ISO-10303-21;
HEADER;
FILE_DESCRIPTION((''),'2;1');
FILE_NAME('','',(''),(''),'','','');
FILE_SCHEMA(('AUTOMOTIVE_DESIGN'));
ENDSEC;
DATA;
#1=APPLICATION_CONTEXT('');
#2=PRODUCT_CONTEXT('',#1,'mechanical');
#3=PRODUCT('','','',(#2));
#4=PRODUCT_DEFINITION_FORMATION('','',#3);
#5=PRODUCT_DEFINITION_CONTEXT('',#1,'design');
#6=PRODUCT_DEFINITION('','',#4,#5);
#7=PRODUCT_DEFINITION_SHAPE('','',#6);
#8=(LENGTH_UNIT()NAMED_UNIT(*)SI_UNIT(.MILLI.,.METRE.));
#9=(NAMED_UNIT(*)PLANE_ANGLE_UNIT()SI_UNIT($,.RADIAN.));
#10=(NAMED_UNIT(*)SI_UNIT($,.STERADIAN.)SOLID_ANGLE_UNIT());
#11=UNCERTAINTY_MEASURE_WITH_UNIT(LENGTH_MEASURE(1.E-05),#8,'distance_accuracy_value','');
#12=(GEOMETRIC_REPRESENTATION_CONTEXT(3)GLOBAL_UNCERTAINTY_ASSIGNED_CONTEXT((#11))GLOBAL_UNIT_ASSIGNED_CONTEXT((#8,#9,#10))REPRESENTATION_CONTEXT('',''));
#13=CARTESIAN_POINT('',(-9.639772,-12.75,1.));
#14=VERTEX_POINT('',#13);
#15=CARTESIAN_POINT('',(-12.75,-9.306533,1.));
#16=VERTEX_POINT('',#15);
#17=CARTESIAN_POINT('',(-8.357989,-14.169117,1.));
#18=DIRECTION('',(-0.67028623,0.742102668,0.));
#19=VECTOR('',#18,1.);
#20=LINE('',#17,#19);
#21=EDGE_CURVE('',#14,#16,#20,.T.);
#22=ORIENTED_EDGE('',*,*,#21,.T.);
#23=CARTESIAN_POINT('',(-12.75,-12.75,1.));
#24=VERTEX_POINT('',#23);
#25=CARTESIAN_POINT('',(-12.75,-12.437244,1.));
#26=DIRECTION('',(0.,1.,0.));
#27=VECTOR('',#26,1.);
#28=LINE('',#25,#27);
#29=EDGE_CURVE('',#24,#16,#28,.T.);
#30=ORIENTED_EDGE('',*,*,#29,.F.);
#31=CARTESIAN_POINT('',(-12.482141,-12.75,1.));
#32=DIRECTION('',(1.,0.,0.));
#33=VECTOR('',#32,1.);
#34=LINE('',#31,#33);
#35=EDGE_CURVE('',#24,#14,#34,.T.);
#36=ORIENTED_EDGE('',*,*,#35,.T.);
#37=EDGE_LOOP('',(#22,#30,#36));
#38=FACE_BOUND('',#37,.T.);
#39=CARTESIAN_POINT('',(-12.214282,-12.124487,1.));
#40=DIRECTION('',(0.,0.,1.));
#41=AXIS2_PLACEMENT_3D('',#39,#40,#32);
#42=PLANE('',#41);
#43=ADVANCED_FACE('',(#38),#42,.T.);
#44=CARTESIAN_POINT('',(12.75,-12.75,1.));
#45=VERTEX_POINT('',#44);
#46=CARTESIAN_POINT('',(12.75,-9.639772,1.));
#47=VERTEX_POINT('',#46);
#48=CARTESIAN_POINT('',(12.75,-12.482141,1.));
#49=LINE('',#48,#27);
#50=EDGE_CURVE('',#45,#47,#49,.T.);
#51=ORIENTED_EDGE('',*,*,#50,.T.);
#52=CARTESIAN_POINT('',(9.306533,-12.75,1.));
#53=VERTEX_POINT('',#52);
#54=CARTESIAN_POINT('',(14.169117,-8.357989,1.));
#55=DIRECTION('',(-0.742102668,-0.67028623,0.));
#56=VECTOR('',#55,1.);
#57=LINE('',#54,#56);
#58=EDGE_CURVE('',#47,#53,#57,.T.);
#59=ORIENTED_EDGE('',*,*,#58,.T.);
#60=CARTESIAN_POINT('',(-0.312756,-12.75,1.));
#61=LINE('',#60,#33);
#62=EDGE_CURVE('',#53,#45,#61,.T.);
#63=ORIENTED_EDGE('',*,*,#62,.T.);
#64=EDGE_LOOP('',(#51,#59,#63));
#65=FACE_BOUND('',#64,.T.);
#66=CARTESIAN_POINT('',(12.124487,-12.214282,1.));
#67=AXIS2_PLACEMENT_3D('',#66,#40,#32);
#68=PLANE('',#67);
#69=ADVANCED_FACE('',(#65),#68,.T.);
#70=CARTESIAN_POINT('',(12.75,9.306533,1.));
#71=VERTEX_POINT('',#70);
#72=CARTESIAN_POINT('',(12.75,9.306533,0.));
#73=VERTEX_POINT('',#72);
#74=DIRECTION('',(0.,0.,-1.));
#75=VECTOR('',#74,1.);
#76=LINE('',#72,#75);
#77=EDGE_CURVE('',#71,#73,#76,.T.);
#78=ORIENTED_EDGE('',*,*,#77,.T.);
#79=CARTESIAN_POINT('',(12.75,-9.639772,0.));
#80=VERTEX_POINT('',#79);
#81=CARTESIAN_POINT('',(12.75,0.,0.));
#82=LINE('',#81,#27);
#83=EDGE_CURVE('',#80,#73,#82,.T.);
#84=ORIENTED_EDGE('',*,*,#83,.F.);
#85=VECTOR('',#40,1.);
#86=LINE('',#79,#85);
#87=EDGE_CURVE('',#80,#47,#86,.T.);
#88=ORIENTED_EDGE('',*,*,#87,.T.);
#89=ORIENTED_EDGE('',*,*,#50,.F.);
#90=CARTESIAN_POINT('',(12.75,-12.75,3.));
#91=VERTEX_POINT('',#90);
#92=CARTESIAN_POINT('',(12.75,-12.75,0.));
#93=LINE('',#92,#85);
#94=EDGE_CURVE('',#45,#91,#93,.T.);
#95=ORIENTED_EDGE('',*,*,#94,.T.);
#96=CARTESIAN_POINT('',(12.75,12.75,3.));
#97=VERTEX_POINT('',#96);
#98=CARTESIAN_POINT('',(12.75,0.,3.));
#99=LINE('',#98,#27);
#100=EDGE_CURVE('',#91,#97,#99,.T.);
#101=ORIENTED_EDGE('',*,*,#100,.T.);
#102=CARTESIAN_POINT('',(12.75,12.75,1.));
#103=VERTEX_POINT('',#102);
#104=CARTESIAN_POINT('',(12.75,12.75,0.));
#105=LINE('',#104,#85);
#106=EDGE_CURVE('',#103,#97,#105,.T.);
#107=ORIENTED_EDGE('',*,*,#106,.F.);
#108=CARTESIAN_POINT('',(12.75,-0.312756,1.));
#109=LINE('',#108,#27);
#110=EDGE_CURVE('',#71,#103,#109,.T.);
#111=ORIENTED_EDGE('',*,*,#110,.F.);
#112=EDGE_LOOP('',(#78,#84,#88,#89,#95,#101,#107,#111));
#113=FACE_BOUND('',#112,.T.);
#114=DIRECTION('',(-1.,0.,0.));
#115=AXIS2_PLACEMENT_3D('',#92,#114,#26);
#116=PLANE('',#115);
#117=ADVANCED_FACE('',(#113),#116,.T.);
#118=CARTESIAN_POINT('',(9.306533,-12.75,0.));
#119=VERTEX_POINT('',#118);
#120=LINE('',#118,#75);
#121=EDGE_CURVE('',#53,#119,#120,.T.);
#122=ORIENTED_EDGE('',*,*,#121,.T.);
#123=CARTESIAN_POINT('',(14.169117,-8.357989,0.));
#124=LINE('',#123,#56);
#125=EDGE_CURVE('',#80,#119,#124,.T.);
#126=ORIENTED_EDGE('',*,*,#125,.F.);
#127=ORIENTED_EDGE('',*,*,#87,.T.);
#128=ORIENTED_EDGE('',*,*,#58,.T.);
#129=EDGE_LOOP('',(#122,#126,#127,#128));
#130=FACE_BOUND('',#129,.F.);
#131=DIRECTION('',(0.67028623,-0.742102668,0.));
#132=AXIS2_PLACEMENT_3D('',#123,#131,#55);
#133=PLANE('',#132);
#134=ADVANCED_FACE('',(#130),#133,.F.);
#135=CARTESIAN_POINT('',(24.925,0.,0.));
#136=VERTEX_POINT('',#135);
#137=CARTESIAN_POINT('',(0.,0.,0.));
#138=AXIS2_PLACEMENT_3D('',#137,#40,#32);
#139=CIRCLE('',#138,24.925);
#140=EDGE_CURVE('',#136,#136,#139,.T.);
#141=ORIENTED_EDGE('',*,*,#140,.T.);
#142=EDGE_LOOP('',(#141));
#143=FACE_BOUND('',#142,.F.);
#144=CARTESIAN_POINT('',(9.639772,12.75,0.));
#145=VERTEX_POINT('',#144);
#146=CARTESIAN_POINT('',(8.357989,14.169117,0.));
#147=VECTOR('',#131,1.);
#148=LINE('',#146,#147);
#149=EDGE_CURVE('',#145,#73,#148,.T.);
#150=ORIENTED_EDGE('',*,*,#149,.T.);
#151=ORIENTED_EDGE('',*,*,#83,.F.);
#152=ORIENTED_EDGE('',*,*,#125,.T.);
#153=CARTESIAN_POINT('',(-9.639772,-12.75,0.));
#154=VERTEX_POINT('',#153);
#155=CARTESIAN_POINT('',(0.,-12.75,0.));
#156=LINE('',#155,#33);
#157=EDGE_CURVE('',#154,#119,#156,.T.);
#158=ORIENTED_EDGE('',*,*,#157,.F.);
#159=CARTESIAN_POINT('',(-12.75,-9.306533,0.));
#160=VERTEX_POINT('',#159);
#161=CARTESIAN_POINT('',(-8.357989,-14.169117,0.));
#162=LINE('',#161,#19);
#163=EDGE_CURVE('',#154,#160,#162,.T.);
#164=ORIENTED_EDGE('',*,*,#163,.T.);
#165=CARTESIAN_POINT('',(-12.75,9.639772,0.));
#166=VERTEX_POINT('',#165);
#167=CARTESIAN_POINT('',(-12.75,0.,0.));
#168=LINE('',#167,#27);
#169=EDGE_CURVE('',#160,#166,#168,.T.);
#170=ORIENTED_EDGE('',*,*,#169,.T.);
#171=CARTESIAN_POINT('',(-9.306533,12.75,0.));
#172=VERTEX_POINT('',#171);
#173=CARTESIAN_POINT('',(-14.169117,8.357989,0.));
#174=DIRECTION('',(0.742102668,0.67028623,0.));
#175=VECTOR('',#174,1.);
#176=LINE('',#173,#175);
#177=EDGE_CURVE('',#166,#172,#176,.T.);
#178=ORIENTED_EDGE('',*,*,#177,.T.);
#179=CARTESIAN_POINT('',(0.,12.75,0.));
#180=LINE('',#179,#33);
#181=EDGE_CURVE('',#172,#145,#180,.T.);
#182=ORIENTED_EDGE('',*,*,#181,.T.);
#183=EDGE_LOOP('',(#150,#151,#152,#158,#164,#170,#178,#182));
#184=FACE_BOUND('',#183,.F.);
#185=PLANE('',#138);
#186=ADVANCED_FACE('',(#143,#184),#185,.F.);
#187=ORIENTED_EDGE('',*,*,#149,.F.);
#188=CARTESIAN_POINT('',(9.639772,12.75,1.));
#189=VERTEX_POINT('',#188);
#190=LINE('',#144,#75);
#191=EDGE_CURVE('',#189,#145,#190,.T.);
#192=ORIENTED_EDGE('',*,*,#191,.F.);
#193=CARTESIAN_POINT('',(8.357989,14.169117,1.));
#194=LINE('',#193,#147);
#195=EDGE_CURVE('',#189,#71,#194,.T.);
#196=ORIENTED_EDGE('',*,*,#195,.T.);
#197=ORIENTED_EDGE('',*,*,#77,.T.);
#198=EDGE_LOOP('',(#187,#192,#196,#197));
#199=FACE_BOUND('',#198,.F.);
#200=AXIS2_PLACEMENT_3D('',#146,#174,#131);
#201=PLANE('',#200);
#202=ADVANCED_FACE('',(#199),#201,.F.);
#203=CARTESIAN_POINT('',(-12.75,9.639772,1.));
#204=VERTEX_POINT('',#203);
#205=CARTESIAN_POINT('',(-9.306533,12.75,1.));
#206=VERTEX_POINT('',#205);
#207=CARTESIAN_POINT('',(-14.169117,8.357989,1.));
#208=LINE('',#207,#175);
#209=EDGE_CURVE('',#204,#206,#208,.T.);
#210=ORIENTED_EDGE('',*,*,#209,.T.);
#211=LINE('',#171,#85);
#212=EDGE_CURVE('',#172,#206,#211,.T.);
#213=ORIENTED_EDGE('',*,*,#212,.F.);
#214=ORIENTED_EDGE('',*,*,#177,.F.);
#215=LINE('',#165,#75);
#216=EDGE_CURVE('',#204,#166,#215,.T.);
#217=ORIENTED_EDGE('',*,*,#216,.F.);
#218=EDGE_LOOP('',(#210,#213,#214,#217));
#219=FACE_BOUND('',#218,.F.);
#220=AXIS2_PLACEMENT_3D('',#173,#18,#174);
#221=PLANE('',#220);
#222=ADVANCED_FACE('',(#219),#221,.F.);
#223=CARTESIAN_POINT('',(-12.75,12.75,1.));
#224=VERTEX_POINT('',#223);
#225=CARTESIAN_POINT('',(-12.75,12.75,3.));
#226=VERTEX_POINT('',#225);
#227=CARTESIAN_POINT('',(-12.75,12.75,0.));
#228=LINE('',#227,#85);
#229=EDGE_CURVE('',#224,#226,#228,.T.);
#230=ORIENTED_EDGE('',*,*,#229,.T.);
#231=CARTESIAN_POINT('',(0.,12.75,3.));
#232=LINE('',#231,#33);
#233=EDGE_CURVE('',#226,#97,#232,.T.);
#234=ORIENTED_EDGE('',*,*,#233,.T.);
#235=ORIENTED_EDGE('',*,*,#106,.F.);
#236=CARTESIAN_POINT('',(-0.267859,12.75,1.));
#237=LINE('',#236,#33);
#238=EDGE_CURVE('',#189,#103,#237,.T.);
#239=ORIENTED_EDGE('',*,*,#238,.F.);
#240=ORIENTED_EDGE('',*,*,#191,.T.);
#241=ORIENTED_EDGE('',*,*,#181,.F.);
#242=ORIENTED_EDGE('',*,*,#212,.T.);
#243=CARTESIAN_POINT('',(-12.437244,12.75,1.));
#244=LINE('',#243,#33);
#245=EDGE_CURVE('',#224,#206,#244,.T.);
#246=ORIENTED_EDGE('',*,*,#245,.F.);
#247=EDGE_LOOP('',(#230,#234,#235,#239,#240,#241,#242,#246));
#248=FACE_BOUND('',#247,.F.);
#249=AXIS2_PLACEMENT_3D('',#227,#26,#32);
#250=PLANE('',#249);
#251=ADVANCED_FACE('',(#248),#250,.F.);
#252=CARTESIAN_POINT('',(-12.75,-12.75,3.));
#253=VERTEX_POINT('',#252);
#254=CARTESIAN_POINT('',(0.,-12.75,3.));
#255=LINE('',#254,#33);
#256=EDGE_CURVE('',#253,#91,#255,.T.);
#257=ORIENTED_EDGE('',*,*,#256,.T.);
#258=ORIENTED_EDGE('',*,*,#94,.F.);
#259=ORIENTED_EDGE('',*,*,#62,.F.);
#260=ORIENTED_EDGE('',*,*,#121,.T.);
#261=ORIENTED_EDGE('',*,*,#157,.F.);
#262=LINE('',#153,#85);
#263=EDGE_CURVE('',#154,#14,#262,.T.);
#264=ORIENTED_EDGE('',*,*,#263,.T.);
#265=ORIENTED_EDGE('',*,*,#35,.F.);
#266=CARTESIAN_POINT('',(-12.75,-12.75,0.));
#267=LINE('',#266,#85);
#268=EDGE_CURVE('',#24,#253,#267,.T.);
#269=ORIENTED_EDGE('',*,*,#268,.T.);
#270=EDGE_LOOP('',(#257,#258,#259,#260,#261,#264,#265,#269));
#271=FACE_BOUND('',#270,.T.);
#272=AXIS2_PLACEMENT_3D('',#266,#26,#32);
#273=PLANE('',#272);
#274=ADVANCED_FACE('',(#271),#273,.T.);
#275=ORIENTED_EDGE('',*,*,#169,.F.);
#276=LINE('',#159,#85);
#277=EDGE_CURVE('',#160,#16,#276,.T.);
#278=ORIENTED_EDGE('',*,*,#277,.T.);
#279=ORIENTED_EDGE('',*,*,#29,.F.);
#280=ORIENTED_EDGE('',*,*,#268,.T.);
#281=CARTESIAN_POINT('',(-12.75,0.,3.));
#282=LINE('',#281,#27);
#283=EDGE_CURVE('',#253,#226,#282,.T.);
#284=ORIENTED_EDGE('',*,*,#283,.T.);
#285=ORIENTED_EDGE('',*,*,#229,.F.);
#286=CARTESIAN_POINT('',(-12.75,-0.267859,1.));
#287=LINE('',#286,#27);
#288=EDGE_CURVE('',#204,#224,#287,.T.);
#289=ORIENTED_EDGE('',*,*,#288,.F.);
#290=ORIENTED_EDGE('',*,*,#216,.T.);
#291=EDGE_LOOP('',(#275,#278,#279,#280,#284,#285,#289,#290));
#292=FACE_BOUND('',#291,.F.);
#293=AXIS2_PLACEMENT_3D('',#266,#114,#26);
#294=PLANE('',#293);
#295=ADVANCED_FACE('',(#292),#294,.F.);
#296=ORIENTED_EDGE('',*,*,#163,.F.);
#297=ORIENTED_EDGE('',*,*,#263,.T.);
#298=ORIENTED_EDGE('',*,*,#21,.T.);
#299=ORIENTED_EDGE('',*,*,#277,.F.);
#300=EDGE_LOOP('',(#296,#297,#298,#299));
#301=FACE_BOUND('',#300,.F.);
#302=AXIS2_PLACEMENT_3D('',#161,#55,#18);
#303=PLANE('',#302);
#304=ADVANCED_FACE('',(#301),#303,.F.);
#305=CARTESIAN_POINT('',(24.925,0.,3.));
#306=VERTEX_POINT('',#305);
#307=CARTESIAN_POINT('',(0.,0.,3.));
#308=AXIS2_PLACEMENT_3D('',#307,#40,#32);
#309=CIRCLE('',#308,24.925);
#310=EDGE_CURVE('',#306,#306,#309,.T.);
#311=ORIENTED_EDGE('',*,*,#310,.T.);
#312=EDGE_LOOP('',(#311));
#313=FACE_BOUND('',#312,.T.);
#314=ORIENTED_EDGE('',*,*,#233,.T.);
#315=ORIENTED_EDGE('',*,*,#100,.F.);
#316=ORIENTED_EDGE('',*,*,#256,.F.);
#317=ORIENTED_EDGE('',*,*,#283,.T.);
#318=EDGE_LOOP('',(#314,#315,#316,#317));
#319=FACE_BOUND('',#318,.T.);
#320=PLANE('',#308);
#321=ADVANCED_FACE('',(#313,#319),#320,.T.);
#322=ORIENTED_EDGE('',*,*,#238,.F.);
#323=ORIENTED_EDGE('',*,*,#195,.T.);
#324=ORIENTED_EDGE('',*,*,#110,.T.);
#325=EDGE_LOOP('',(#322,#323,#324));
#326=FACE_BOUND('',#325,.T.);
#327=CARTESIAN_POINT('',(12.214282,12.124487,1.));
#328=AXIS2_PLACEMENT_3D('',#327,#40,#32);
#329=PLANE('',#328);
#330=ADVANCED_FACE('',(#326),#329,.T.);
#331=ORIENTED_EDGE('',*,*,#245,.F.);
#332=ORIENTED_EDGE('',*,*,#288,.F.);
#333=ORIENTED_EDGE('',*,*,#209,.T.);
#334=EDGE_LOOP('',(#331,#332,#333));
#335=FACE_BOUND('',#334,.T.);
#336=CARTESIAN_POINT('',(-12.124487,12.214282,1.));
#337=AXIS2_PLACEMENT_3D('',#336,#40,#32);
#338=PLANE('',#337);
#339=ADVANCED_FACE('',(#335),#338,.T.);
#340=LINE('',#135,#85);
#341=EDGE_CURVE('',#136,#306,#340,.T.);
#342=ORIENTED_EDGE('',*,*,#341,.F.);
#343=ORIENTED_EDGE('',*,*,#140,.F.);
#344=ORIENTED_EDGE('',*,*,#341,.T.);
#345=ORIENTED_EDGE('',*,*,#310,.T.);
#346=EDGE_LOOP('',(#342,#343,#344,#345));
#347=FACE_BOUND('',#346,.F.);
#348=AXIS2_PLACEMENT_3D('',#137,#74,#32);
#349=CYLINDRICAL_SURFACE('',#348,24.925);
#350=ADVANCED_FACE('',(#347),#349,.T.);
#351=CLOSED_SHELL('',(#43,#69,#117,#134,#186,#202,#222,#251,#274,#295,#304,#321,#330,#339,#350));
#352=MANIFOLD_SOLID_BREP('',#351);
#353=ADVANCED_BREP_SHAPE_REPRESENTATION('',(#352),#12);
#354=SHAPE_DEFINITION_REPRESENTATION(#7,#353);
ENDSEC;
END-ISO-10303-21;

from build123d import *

# Parameters (mm, degrees)
F0_R     = 24.925
F0_W     = 25.5
F0_H     = 25.5
F1_DEPTH = 3
F3_DEPTH = 1


with BuildPart() as f1:
    # F0 (on Top) → F1 (new body)
    with BuildSketch(Plane.XY):
        Circle(F0_R)
        Rectangle(F0_W, F0_H, mode=Mode.SUBTRACT)
    extrude(amount=F1_DEPTH)

    # F2 (on Top) → F3 (join)
    with BuildSketch(Plane.XY):
        Polygon((-8.357989, -14.169117), (-13.916554, -8.014991), (-14.611375, -14.566157), align=None)
        Polygon((14.169117, -8.357989), (8.014991, -13.916554), (14.566157, -14.611375), align=None)
        Polygon((8.357989, 14.169117), (13.916554, 8.014991), (14.611375, 14.566157), align=None)
        Polygon((-14.169117, 8.357989), (-8.014991, 13.916554), (-14.566157, 14.611375), align=None)
    extrude(amount=F3_DEPTH)


solid = f1.part
